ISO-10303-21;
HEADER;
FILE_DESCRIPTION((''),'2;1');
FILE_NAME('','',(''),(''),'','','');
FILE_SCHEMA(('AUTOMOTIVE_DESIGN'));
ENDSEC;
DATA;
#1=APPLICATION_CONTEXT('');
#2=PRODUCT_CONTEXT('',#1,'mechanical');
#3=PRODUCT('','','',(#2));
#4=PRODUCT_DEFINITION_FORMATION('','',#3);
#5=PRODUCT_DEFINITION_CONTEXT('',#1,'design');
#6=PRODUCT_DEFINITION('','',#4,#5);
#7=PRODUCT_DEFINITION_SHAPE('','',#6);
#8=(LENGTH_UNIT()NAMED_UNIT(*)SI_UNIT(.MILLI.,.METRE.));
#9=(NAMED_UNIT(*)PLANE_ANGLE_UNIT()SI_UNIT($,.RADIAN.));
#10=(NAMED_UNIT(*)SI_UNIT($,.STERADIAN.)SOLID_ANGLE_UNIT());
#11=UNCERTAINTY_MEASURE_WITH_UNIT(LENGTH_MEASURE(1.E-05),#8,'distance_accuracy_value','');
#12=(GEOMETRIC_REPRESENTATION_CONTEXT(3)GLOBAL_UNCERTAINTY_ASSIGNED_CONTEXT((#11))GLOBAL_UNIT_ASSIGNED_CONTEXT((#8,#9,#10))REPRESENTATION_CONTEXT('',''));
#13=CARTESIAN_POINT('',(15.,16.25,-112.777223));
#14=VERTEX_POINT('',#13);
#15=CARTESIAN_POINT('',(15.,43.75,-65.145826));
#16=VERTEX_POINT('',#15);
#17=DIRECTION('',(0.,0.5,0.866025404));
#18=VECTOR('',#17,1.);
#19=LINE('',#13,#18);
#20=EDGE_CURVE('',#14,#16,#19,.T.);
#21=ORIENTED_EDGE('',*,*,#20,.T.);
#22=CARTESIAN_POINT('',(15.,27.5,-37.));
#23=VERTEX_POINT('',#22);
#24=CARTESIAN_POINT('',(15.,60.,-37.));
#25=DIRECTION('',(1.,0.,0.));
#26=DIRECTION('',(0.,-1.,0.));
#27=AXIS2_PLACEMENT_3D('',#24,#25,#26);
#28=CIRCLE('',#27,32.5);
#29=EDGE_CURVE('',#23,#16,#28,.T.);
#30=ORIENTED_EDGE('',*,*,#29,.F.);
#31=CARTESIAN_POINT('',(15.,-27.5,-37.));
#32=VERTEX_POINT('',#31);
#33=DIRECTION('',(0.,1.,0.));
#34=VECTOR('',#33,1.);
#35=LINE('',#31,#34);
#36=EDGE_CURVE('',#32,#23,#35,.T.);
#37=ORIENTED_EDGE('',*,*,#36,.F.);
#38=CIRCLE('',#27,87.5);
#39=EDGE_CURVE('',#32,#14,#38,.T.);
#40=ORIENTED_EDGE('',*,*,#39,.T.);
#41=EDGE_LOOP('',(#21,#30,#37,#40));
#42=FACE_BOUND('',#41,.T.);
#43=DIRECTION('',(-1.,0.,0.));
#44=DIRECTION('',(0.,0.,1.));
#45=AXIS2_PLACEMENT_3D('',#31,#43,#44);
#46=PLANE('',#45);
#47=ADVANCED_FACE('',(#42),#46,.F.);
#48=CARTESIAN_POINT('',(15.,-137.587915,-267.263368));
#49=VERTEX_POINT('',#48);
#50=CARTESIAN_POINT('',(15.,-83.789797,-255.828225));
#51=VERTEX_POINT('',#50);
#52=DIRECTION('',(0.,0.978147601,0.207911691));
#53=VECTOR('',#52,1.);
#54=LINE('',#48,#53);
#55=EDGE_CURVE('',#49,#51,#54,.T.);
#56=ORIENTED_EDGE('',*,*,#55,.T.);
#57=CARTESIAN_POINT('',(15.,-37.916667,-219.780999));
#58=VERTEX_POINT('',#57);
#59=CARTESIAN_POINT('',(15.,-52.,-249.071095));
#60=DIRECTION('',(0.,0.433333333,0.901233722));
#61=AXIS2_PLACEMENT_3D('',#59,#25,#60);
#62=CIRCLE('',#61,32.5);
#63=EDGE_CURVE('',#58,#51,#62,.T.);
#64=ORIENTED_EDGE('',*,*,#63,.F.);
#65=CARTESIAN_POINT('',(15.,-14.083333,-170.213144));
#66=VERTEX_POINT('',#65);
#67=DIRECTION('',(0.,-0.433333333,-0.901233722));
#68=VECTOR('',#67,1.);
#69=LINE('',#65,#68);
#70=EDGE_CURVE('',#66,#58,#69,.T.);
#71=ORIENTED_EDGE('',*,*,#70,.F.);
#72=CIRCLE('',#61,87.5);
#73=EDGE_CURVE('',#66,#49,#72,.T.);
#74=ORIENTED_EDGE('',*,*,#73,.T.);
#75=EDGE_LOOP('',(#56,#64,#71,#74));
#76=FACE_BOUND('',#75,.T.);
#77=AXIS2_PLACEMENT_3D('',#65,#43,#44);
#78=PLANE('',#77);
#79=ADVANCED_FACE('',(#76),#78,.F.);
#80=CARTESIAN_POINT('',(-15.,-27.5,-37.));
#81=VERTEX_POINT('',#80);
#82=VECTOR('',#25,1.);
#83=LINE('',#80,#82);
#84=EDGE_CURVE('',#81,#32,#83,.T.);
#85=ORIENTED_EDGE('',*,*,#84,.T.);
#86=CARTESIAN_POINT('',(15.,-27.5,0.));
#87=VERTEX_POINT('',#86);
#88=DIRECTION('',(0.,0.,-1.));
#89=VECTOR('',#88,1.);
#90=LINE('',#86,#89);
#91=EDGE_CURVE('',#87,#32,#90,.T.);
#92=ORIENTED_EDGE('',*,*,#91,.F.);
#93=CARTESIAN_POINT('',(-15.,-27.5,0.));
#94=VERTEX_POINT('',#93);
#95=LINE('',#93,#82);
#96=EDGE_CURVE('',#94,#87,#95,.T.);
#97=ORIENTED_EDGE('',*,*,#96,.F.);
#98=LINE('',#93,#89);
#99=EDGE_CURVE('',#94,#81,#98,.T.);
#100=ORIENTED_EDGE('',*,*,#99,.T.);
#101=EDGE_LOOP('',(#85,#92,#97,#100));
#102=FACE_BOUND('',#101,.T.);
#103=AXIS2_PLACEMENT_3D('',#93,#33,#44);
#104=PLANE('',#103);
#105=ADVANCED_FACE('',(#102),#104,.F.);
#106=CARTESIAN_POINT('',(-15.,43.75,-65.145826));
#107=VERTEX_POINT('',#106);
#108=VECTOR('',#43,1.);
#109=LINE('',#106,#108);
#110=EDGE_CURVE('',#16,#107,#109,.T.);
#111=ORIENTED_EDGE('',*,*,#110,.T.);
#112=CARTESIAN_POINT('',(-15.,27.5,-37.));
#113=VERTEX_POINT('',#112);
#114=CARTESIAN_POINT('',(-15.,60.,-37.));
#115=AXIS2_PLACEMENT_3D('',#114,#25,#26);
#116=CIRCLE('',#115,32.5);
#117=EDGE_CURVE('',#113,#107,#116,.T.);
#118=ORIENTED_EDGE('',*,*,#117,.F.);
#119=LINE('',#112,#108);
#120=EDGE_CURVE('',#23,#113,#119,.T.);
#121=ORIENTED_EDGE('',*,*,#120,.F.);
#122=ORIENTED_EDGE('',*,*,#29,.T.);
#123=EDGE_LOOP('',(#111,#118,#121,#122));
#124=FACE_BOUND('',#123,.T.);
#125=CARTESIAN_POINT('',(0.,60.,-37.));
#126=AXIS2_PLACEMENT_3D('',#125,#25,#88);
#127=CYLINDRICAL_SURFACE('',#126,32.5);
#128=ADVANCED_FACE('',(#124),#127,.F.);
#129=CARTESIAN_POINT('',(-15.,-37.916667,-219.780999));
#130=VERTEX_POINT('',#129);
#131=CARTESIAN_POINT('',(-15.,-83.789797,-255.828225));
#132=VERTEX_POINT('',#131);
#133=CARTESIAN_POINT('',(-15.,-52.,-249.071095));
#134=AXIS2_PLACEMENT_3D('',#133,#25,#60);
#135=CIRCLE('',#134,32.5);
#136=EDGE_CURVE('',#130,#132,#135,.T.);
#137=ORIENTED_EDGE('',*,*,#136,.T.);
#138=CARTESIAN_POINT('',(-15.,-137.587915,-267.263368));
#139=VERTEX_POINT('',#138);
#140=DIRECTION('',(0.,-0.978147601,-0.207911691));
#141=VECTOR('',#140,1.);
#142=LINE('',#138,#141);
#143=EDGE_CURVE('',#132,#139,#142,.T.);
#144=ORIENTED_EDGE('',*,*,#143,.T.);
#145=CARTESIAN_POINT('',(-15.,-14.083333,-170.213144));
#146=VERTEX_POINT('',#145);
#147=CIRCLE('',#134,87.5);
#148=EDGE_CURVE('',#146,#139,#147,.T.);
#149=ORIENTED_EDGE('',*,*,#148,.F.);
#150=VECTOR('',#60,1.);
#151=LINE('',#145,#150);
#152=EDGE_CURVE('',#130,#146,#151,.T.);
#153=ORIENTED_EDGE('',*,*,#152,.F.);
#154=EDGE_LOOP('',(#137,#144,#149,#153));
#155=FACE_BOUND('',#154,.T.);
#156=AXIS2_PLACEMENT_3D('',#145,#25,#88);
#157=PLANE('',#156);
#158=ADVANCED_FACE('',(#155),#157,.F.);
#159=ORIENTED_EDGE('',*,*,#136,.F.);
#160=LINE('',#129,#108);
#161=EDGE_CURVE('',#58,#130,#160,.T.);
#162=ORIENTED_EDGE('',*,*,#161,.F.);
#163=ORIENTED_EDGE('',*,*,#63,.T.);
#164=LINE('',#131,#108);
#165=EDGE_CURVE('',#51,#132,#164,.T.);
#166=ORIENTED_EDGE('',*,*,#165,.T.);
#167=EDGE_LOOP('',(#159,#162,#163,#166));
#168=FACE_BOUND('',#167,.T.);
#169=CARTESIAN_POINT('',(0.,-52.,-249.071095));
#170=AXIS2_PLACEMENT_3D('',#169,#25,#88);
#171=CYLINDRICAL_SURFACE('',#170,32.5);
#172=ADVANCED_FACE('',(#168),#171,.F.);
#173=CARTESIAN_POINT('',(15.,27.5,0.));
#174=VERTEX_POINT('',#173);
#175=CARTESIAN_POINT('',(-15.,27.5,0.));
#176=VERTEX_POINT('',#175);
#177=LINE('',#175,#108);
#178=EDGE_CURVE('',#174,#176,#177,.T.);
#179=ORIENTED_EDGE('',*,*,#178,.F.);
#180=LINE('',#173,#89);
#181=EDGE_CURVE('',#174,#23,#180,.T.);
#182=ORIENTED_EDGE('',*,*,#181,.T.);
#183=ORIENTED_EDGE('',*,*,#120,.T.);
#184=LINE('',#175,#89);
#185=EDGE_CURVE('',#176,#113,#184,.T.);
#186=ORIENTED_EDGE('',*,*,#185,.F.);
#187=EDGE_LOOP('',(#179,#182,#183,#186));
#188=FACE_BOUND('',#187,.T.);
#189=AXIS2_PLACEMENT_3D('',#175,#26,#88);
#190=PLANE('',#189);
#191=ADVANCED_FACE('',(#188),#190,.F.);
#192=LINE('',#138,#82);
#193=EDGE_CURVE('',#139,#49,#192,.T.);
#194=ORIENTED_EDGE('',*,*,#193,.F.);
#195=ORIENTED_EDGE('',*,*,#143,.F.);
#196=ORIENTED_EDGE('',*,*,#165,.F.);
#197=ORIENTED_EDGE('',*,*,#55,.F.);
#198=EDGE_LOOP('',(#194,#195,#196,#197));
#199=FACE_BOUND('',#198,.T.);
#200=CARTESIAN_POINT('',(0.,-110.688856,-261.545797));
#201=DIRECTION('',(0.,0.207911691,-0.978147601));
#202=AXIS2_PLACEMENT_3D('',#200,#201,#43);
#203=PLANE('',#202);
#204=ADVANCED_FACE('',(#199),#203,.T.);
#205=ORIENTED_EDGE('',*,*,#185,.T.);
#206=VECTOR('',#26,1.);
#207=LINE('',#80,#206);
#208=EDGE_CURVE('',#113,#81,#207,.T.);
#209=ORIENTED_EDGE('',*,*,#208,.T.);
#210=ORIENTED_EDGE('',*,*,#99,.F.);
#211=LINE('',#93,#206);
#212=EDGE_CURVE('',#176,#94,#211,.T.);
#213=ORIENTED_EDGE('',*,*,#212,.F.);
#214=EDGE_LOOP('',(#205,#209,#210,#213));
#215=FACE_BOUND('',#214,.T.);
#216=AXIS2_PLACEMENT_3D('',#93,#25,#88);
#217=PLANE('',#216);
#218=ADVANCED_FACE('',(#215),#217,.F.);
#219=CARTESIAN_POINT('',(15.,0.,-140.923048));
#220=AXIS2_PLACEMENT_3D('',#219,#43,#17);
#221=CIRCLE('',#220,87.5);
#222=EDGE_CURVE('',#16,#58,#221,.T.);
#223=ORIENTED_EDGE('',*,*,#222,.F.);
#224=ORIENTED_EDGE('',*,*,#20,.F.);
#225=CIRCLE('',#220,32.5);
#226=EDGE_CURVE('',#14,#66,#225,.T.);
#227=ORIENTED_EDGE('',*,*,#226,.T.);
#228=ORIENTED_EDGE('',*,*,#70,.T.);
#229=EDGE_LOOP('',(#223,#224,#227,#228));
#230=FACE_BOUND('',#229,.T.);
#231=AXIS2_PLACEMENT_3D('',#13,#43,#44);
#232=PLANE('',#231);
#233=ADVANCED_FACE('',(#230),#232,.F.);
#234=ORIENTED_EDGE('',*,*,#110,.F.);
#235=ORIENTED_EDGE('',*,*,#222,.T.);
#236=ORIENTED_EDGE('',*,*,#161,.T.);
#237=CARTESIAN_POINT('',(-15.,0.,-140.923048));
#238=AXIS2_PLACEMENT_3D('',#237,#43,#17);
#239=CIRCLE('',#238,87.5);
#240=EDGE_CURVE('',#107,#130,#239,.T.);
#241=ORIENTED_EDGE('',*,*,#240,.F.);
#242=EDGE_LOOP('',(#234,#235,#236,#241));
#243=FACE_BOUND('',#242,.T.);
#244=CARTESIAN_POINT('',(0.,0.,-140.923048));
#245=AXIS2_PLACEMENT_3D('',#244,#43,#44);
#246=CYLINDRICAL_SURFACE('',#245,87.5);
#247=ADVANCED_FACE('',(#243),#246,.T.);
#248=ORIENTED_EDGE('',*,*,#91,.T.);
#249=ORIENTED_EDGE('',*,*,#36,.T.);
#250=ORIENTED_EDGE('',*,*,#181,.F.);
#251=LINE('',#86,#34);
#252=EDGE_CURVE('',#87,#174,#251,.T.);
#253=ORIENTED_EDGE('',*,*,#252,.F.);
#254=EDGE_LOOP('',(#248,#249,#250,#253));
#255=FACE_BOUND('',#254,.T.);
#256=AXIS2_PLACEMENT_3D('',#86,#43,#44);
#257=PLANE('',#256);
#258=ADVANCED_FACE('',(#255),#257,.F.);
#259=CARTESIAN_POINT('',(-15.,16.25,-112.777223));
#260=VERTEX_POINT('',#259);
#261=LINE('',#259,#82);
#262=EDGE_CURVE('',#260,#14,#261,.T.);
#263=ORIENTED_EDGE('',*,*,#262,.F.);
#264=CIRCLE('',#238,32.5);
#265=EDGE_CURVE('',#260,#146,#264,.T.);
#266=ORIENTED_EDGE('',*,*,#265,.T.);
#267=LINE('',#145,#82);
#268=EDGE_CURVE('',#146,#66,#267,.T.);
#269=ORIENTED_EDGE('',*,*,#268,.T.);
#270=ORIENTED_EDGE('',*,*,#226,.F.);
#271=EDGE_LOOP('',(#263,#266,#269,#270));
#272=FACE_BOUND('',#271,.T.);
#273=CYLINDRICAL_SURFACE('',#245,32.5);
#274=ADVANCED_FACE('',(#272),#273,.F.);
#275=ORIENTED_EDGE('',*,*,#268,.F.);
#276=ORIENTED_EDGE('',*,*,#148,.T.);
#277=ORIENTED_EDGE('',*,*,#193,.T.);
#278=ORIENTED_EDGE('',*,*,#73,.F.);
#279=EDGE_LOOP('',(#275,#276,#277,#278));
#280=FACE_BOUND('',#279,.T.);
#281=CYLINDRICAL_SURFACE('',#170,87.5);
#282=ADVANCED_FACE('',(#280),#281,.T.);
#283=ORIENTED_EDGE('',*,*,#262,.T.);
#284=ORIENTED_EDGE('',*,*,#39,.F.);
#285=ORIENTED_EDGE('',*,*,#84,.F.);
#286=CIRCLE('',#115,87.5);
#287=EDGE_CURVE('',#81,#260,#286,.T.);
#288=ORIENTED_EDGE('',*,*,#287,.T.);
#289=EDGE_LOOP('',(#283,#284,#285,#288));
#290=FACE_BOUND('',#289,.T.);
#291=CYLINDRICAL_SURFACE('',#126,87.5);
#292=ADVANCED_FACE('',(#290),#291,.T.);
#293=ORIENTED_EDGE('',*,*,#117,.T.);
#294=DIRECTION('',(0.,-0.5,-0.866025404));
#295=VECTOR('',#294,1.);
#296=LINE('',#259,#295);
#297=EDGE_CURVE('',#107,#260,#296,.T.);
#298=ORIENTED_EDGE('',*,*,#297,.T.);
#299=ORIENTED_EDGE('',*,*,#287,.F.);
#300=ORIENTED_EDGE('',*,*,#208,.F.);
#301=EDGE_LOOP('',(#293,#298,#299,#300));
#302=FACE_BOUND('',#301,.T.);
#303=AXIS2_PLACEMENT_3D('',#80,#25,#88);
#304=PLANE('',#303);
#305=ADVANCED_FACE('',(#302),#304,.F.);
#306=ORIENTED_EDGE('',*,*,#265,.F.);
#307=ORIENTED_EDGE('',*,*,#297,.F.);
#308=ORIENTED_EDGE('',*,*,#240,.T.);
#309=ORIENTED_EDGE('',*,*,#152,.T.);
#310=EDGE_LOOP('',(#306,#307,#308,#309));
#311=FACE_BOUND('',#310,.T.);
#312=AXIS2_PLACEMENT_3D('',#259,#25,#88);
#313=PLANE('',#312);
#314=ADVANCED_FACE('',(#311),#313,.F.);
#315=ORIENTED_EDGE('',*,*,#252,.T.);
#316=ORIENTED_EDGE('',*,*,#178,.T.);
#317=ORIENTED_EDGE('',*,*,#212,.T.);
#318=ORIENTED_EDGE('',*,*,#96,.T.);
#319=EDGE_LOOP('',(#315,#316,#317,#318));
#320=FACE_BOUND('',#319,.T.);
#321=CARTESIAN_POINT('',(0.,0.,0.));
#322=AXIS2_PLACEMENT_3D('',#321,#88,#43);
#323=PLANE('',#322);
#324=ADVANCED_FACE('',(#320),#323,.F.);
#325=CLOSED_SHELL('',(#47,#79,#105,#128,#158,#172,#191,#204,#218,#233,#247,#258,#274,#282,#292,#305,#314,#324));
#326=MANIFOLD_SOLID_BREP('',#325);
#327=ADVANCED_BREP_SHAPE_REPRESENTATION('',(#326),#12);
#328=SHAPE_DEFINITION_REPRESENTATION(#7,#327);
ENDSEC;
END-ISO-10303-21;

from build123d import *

# Parameters (mm, degrees)
SKETCH_264_W = 30
SKETCH_264_H = 55


with BuildPart() as part:
    # По траектории2: sweep along a path in Sketch 339
    with BuildLine(Plane(origin=(0, 0, 0), x_dir=(0, 0, -1), z_dir=(1, 0, 0))) as sweep_2_path:
        Line((0, 0), (37, 0))
        ThreePointArc((37, 0), (67, 8.038475773), (88.961524227, 30))
        ThreePointArc((88.961524227, 30), (168.942963927, 53.05548357), (194.997071793, -26))
        ThreePointArc((194.997071793, -26), (201.894019343, -89.07186966), (261.54579658, -110.688856044))
    # Sketch 264 → По траектории2 (sweep)
    with BuildSketch(Plane.XY):
        Rectangle(SKETCH_264_W, SKETCH_264_H)
    sweep(path=sweep_2_path.line)


solid = part.part
